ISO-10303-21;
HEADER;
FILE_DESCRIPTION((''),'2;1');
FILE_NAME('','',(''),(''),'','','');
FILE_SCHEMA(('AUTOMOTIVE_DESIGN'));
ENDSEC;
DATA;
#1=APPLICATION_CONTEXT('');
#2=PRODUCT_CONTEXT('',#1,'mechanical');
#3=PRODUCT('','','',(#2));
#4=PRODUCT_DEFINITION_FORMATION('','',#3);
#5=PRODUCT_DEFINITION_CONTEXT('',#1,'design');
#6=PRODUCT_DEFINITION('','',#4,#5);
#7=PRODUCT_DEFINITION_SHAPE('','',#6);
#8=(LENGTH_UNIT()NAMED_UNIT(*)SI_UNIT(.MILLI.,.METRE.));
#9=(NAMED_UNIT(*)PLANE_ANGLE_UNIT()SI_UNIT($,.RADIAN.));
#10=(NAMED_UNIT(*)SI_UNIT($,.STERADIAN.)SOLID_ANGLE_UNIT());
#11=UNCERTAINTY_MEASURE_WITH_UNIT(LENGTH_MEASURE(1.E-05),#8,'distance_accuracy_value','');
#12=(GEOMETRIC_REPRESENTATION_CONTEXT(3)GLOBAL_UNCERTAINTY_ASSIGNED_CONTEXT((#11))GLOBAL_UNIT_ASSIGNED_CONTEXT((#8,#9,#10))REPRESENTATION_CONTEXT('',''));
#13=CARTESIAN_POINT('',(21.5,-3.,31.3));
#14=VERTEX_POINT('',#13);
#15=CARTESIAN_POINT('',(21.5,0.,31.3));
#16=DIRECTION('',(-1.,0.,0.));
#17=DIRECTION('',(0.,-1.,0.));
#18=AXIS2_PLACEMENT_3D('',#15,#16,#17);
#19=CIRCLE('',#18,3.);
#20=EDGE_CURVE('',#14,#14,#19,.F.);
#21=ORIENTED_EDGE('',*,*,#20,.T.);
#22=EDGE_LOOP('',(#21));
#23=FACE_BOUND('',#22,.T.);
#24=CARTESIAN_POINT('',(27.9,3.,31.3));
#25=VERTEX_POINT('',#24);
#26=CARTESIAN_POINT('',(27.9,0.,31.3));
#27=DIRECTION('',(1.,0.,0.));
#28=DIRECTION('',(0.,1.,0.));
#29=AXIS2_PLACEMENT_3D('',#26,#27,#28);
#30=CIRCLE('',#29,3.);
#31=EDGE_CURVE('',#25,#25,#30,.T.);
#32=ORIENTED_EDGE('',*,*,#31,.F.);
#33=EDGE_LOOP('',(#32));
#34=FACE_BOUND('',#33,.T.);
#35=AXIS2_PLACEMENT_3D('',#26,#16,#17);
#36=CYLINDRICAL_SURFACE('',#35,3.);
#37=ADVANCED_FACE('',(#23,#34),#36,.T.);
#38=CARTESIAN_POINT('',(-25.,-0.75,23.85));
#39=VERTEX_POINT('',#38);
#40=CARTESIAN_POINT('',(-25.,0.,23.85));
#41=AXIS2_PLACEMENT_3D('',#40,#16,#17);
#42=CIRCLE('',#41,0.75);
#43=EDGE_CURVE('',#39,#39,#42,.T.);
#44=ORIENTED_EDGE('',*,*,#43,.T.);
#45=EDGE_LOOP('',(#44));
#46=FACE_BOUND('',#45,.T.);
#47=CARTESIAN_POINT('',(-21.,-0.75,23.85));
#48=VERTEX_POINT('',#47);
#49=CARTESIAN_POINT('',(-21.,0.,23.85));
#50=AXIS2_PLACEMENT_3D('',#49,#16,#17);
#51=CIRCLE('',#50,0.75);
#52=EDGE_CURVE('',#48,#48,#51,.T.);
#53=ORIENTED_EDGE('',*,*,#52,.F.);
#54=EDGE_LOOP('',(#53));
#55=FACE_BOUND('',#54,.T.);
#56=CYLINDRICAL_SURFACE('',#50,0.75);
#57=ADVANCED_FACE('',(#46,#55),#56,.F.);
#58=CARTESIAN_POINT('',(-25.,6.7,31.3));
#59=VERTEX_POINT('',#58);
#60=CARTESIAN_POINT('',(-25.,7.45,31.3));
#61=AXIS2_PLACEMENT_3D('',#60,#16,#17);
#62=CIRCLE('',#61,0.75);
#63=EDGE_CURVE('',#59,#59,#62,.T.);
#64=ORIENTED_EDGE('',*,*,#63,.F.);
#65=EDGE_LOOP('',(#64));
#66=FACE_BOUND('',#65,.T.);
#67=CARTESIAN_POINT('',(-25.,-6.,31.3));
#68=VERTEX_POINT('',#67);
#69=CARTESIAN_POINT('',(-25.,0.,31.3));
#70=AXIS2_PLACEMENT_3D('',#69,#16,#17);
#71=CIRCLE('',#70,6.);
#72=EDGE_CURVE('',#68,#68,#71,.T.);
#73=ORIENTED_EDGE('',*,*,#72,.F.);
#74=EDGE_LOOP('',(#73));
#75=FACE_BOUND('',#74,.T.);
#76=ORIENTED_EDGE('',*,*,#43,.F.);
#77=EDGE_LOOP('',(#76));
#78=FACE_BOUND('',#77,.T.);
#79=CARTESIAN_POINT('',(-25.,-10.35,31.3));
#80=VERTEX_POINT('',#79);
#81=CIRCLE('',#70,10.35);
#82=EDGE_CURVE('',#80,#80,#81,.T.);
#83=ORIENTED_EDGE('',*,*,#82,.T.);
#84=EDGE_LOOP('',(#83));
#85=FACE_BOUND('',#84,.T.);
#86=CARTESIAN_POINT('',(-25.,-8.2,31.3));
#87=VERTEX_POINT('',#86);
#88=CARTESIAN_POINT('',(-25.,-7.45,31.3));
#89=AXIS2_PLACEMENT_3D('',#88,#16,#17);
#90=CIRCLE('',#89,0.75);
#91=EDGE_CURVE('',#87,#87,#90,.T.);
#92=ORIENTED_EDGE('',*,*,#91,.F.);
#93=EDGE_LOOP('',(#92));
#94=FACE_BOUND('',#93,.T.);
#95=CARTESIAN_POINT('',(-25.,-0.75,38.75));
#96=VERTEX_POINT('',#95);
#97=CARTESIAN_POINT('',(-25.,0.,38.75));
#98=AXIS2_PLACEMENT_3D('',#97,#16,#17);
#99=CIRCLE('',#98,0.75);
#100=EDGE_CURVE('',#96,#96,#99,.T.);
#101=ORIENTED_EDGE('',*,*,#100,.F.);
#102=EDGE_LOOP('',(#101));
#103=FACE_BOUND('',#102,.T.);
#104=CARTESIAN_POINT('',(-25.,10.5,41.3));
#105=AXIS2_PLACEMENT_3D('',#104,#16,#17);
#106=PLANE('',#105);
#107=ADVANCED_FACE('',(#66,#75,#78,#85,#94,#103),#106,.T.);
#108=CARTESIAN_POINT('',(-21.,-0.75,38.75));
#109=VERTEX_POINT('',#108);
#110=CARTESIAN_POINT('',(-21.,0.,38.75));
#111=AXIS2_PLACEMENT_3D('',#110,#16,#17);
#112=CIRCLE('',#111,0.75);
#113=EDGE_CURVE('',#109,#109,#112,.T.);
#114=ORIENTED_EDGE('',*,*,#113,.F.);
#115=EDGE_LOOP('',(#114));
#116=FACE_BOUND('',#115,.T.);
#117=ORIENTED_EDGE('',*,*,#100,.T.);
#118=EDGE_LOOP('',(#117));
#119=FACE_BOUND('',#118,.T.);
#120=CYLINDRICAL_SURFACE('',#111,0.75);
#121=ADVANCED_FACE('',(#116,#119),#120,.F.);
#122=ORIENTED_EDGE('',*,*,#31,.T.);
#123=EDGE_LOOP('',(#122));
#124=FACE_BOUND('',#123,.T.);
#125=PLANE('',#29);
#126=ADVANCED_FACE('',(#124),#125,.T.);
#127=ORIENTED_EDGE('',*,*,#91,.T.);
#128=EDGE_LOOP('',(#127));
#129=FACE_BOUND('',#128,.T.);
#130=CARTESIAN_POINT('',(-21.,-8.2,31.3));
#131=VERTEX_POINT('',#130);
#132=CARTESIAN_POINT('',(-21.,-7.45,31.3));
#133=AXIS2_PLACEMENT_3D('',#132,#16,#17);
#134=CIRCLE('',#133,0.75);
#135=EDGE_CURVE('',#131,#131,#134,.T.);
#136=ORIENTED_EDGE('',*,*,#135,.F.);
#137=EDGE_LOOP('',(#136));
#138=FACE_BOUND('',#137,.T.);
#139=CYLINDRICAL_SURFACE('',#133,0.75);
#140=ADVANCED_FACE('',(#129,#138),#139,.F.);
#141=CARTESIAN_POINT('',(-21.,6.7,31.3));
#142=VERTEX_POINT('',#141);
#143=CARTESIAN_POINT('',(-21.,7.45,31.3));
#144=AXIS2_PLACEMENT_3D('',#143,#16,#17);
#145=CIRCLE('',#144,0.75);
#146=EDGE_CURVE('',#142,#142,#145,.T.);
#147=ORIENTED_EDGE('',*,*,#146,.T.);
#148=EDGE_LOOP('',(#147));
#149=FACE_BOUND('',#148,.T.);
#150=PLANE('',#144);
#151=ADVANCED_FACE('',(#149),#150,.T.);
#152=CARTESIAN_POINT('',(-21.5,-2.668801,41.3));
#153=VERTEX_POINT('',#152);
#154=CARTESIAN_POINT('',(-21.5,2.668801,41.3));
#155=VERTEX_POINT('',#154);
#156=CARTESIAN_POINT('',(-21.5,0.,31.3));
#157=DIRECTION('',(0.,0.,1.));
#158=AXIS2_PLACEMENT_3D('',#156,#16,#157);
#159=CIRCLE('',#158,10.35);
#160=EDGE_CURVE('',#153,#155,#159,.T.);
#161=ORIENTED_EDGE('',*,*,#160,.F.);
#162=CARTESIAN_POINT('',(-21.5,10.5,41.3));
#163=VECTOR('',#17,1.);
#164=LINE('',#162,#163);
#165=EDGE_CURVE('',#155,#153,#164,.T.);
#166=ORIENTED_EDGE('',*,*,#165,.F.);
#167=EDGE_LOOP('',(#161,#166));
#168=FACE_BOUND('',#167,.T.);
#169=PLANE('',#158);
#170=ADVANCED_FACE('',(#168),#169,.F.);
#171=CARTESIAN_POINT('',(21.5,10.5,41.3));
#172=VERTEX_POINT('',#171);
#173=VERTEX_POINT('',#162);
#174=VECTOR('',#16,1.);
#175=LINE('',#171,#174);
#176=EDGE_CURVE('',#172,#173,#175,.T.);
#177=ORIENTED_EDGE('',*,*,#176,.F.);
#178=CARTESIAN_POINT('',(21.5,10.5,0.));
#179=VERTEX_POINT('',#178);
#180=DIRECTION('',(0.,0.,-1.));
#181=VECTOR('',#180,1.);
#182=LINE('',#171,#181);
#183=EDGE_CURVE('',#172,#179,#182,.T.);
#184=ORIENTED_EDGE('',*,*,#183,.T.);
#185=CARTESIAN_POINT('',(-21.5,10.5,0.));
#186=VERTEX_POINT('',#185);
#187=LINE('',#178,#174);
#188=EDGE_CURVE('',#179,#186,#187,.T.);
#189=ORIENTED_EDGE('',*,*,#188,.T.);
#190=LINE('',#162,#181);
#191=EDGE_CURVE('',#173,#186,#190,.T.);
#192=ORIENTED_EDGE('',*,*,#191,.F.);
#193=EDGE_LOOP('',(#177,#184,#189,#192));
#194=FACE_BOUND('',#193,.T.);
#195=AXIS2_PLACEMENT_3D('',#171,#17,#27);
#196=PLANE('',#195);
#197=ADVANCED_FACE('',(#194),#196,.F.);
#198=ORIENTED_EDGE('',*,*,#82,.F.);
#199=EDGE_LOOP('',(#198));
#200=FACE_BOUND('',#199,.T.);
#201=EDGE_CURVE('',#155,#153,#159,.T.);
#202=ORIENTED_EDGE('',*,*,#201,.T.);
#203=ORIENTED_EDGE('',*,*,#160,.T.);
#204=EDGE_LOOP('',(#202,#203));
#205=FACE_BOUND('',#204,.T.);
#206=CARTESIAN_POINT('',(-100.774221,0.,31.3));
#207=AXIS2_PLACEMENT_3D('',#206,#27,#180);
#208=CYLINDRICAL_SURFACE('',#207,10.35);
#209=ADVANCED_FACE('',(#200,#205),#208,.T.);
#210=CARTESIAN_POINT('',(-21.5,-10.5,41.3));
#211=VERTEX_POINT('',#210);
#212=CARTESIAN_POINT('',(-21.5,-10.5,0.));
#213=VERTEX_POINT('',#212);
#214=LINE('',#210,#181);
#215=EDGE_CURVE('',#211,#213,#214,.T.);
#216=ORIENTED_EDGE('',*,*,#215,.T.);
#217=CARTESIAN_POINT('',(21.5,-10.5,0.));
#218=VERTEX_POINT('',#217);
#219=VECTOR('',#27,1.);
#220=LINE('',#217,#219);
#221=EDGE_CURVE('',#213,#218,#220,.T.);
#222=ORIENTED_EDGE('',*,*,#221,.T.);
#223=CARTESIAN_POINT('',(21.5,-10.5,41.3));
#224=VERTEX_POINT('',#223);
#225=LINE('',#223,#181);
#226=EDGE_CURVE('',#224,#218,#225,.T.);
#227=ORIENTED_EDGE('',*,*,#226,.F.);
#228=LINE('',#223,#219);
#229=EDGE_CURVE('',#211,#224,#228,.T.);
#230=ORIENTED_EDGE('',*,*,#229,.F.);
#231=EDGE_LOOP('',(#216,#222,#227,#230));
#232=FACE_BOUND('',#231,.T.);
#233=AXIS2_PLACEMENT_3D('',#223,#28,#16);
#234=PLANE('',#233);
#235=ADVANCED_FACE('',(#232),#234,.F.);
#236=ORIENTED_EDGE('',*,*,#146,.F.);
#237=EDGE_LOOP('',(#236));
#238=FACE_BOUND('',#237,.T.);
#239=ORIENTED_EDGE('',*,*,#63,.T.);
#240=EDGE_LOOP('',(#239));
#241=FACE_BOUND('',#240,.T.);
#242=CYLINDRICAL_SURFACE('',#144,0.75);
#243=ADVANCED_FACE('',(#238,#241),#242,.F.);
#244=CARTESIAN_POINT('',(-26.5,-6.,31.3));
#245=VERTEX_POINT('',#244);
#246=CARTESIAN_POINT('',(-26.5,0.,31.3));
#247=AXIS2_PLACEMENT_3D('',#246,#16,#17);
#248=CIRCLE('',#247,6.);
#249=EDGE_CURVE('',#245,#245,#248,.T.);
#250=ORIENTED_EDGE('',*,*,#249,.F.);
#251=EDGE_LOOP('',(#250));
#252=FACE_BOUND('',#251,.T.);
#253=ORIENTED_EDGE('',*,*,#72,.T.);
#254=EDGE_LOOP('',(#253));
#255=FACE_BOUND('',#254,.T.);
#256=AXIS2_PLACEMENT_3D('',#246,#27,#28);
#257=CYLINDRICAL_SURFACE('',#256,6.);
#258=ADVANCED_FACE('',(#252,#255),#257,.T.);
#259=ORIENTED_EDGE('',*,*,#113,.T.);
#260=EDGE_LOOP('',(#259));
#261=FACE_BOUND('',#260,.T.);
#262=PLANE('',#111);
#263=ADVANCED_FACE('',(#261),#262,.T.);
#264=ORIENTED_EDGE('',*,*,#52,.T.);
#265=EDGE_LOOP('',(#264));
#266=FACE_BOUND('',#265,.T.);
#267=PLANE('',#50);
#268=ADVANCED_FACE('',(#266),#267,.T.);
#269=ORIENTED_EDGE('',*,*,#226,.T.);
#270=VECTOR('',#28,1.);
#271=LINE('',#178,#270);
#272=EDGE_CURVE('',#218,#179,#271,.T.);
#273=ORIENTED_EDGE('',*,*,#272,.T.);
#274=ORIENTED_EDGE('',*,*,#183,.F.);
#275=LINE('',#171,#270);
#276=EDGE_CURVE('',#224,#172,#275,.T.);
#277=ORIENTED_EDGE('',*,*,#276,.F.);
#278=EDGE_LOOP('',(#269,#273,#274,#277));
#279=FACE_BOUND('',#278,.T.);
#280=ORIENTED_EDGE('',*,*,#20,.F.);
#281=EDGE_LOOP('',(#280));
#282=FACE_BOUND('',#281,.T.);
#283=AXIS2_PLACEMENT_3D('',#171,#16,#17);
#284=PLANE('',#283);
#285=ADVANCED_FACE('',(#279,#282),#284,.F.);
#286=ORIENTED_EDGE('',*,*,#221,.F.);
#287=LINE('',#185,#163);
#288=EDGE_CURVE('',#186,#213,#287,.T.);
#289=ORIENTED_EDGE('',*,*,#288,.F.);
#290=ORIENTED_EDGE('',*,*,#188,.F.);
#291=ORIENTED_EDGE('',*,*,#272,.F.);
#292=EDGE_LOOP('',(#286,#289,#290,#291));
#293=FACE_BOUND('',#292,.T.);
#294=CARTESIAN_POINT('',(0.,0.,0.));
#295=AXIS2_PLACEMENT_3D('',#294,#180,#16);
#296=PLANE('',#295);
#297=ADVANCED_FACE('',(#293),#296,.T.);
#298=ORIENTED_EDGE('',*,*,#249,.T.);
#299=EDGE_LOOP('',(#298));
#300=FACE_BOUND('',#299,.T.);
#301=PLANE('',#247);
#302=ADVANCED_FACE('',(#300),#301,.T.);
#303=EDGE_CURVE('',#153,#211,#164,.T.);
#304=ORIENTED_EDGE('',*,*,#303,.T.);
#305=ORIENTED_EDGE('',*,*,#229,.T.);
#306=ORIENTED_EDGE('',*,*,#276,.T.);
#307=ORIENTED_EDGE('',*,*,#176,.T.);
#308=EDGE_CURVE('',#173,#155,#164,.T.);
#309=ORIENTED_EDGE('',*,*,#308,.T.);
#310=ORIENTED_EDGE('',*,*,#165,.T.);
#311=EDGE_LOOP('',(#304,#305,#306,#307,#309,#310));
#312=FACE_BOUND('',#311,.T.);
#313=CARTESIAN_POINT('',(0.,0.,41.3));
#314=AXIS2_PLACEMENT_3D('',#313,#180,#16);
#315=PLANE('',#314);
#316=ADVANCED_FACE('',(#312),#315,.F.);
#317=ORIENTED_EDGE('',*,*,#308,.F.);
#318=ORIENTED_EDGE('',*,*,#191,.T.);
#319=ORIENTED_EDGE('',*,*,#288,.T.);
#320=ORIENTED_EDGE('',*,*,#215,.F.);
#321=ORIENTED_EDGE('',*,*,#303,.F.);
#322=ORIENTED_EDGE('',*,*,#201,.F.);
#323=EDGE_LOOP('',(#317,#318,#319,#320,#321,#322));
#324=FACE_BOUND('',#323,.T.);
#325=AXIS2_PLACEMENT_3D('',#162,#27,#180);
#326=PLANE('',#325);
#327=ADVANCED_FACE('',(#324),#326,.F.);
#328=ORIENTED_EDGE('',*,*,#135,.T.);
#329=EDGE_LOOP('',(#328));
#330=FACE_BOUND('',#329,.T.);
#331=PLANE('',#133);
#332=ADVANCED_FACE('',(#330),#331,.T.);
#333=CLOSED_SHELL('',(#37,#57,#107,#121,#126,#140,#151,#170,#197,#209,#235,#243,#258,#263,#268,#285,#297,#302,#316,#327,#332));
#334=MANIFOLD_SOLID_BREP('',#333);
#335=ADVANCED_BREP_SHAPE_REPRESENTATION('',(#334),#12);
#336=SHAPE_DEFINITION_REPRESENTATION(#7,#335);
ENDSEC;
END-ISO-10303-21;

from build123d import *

# Parameters (mm, degrees)
SKETCH_1_W          = 43
SKETCH_1_H          = 21
EXTRUDE_1_DEPTH     = 41.3
SKETCH_2_R          = 3
EXTRUDE_2_DEPTH     = 6.4
SKETCH_3_R          = 10.35
EXTRUDE_3_DEPTH     = 3.5
SKETCH_4_R          = 6
EXTRUDE_4_DEPTH     = 1.5
SKETCH_5_R          = 0.75
CUT_EXTRUDE_1_DEPTH = 4


with BuildPart() as part:
    # 草图1 → 凸台-拉伸1 (new body)
    with BuildSketch(Plane.XY):
        Rectangle(SKETCH_1_W, SKETCH_1_H)
    extrude(amount=EXTRUDE_1_DEPTH)

    # 草图2 → 凸台-拉伸2 (add)
    with BuildSketch(Plane(origin=(21.5, 0, 0), x_dir=(0, 0, -1), z_dir=(1, 0, 0))):
        with Locations((-31.3, 0)):
            Circle(SKETCH_2_R)
    extrude(amount=EXTRUDE_2_DEPTH)

    # 草图3 → 凸台-拉伸3 (add)
    with BuildSketch(Plane.ZY.offset(21.5)):
        with Locations((31.3, 0)):
            Circle(SKETCH_3_R)
    extrude(amount=EXTRUDE_3_DEPTH)

    # 草图4 → 凸台-拉伸4 (add)
    with BuildSketch(Plane.ZY.offset(25)):
        with Locations((31.3, 0)):
            Circle(SKETCH_4_R)
    extrude(amount=EXTRUDE_4_DEPTH)

    # 草图5 → 切除-拉伸1 (cut)
    with BuildSketch(Plane.ZY.offset(25)):
        with Locations((38.75, 0)):
            Circle(SKETCH_5_R)
        with Locations((31.3, -7.45)):
            Circle(SKETCH_5_R)
        with Locations((23.85, 0)):
            Circle(SKETCH_5_R)
        with Locations((31.3, 7.45)):
            Circle(SKETCH_5_R)
    extrude(amount=-CUT_EXTRUDE_1_DEPTH, mode=Mode.SUBTRACT)


solid = part.part
